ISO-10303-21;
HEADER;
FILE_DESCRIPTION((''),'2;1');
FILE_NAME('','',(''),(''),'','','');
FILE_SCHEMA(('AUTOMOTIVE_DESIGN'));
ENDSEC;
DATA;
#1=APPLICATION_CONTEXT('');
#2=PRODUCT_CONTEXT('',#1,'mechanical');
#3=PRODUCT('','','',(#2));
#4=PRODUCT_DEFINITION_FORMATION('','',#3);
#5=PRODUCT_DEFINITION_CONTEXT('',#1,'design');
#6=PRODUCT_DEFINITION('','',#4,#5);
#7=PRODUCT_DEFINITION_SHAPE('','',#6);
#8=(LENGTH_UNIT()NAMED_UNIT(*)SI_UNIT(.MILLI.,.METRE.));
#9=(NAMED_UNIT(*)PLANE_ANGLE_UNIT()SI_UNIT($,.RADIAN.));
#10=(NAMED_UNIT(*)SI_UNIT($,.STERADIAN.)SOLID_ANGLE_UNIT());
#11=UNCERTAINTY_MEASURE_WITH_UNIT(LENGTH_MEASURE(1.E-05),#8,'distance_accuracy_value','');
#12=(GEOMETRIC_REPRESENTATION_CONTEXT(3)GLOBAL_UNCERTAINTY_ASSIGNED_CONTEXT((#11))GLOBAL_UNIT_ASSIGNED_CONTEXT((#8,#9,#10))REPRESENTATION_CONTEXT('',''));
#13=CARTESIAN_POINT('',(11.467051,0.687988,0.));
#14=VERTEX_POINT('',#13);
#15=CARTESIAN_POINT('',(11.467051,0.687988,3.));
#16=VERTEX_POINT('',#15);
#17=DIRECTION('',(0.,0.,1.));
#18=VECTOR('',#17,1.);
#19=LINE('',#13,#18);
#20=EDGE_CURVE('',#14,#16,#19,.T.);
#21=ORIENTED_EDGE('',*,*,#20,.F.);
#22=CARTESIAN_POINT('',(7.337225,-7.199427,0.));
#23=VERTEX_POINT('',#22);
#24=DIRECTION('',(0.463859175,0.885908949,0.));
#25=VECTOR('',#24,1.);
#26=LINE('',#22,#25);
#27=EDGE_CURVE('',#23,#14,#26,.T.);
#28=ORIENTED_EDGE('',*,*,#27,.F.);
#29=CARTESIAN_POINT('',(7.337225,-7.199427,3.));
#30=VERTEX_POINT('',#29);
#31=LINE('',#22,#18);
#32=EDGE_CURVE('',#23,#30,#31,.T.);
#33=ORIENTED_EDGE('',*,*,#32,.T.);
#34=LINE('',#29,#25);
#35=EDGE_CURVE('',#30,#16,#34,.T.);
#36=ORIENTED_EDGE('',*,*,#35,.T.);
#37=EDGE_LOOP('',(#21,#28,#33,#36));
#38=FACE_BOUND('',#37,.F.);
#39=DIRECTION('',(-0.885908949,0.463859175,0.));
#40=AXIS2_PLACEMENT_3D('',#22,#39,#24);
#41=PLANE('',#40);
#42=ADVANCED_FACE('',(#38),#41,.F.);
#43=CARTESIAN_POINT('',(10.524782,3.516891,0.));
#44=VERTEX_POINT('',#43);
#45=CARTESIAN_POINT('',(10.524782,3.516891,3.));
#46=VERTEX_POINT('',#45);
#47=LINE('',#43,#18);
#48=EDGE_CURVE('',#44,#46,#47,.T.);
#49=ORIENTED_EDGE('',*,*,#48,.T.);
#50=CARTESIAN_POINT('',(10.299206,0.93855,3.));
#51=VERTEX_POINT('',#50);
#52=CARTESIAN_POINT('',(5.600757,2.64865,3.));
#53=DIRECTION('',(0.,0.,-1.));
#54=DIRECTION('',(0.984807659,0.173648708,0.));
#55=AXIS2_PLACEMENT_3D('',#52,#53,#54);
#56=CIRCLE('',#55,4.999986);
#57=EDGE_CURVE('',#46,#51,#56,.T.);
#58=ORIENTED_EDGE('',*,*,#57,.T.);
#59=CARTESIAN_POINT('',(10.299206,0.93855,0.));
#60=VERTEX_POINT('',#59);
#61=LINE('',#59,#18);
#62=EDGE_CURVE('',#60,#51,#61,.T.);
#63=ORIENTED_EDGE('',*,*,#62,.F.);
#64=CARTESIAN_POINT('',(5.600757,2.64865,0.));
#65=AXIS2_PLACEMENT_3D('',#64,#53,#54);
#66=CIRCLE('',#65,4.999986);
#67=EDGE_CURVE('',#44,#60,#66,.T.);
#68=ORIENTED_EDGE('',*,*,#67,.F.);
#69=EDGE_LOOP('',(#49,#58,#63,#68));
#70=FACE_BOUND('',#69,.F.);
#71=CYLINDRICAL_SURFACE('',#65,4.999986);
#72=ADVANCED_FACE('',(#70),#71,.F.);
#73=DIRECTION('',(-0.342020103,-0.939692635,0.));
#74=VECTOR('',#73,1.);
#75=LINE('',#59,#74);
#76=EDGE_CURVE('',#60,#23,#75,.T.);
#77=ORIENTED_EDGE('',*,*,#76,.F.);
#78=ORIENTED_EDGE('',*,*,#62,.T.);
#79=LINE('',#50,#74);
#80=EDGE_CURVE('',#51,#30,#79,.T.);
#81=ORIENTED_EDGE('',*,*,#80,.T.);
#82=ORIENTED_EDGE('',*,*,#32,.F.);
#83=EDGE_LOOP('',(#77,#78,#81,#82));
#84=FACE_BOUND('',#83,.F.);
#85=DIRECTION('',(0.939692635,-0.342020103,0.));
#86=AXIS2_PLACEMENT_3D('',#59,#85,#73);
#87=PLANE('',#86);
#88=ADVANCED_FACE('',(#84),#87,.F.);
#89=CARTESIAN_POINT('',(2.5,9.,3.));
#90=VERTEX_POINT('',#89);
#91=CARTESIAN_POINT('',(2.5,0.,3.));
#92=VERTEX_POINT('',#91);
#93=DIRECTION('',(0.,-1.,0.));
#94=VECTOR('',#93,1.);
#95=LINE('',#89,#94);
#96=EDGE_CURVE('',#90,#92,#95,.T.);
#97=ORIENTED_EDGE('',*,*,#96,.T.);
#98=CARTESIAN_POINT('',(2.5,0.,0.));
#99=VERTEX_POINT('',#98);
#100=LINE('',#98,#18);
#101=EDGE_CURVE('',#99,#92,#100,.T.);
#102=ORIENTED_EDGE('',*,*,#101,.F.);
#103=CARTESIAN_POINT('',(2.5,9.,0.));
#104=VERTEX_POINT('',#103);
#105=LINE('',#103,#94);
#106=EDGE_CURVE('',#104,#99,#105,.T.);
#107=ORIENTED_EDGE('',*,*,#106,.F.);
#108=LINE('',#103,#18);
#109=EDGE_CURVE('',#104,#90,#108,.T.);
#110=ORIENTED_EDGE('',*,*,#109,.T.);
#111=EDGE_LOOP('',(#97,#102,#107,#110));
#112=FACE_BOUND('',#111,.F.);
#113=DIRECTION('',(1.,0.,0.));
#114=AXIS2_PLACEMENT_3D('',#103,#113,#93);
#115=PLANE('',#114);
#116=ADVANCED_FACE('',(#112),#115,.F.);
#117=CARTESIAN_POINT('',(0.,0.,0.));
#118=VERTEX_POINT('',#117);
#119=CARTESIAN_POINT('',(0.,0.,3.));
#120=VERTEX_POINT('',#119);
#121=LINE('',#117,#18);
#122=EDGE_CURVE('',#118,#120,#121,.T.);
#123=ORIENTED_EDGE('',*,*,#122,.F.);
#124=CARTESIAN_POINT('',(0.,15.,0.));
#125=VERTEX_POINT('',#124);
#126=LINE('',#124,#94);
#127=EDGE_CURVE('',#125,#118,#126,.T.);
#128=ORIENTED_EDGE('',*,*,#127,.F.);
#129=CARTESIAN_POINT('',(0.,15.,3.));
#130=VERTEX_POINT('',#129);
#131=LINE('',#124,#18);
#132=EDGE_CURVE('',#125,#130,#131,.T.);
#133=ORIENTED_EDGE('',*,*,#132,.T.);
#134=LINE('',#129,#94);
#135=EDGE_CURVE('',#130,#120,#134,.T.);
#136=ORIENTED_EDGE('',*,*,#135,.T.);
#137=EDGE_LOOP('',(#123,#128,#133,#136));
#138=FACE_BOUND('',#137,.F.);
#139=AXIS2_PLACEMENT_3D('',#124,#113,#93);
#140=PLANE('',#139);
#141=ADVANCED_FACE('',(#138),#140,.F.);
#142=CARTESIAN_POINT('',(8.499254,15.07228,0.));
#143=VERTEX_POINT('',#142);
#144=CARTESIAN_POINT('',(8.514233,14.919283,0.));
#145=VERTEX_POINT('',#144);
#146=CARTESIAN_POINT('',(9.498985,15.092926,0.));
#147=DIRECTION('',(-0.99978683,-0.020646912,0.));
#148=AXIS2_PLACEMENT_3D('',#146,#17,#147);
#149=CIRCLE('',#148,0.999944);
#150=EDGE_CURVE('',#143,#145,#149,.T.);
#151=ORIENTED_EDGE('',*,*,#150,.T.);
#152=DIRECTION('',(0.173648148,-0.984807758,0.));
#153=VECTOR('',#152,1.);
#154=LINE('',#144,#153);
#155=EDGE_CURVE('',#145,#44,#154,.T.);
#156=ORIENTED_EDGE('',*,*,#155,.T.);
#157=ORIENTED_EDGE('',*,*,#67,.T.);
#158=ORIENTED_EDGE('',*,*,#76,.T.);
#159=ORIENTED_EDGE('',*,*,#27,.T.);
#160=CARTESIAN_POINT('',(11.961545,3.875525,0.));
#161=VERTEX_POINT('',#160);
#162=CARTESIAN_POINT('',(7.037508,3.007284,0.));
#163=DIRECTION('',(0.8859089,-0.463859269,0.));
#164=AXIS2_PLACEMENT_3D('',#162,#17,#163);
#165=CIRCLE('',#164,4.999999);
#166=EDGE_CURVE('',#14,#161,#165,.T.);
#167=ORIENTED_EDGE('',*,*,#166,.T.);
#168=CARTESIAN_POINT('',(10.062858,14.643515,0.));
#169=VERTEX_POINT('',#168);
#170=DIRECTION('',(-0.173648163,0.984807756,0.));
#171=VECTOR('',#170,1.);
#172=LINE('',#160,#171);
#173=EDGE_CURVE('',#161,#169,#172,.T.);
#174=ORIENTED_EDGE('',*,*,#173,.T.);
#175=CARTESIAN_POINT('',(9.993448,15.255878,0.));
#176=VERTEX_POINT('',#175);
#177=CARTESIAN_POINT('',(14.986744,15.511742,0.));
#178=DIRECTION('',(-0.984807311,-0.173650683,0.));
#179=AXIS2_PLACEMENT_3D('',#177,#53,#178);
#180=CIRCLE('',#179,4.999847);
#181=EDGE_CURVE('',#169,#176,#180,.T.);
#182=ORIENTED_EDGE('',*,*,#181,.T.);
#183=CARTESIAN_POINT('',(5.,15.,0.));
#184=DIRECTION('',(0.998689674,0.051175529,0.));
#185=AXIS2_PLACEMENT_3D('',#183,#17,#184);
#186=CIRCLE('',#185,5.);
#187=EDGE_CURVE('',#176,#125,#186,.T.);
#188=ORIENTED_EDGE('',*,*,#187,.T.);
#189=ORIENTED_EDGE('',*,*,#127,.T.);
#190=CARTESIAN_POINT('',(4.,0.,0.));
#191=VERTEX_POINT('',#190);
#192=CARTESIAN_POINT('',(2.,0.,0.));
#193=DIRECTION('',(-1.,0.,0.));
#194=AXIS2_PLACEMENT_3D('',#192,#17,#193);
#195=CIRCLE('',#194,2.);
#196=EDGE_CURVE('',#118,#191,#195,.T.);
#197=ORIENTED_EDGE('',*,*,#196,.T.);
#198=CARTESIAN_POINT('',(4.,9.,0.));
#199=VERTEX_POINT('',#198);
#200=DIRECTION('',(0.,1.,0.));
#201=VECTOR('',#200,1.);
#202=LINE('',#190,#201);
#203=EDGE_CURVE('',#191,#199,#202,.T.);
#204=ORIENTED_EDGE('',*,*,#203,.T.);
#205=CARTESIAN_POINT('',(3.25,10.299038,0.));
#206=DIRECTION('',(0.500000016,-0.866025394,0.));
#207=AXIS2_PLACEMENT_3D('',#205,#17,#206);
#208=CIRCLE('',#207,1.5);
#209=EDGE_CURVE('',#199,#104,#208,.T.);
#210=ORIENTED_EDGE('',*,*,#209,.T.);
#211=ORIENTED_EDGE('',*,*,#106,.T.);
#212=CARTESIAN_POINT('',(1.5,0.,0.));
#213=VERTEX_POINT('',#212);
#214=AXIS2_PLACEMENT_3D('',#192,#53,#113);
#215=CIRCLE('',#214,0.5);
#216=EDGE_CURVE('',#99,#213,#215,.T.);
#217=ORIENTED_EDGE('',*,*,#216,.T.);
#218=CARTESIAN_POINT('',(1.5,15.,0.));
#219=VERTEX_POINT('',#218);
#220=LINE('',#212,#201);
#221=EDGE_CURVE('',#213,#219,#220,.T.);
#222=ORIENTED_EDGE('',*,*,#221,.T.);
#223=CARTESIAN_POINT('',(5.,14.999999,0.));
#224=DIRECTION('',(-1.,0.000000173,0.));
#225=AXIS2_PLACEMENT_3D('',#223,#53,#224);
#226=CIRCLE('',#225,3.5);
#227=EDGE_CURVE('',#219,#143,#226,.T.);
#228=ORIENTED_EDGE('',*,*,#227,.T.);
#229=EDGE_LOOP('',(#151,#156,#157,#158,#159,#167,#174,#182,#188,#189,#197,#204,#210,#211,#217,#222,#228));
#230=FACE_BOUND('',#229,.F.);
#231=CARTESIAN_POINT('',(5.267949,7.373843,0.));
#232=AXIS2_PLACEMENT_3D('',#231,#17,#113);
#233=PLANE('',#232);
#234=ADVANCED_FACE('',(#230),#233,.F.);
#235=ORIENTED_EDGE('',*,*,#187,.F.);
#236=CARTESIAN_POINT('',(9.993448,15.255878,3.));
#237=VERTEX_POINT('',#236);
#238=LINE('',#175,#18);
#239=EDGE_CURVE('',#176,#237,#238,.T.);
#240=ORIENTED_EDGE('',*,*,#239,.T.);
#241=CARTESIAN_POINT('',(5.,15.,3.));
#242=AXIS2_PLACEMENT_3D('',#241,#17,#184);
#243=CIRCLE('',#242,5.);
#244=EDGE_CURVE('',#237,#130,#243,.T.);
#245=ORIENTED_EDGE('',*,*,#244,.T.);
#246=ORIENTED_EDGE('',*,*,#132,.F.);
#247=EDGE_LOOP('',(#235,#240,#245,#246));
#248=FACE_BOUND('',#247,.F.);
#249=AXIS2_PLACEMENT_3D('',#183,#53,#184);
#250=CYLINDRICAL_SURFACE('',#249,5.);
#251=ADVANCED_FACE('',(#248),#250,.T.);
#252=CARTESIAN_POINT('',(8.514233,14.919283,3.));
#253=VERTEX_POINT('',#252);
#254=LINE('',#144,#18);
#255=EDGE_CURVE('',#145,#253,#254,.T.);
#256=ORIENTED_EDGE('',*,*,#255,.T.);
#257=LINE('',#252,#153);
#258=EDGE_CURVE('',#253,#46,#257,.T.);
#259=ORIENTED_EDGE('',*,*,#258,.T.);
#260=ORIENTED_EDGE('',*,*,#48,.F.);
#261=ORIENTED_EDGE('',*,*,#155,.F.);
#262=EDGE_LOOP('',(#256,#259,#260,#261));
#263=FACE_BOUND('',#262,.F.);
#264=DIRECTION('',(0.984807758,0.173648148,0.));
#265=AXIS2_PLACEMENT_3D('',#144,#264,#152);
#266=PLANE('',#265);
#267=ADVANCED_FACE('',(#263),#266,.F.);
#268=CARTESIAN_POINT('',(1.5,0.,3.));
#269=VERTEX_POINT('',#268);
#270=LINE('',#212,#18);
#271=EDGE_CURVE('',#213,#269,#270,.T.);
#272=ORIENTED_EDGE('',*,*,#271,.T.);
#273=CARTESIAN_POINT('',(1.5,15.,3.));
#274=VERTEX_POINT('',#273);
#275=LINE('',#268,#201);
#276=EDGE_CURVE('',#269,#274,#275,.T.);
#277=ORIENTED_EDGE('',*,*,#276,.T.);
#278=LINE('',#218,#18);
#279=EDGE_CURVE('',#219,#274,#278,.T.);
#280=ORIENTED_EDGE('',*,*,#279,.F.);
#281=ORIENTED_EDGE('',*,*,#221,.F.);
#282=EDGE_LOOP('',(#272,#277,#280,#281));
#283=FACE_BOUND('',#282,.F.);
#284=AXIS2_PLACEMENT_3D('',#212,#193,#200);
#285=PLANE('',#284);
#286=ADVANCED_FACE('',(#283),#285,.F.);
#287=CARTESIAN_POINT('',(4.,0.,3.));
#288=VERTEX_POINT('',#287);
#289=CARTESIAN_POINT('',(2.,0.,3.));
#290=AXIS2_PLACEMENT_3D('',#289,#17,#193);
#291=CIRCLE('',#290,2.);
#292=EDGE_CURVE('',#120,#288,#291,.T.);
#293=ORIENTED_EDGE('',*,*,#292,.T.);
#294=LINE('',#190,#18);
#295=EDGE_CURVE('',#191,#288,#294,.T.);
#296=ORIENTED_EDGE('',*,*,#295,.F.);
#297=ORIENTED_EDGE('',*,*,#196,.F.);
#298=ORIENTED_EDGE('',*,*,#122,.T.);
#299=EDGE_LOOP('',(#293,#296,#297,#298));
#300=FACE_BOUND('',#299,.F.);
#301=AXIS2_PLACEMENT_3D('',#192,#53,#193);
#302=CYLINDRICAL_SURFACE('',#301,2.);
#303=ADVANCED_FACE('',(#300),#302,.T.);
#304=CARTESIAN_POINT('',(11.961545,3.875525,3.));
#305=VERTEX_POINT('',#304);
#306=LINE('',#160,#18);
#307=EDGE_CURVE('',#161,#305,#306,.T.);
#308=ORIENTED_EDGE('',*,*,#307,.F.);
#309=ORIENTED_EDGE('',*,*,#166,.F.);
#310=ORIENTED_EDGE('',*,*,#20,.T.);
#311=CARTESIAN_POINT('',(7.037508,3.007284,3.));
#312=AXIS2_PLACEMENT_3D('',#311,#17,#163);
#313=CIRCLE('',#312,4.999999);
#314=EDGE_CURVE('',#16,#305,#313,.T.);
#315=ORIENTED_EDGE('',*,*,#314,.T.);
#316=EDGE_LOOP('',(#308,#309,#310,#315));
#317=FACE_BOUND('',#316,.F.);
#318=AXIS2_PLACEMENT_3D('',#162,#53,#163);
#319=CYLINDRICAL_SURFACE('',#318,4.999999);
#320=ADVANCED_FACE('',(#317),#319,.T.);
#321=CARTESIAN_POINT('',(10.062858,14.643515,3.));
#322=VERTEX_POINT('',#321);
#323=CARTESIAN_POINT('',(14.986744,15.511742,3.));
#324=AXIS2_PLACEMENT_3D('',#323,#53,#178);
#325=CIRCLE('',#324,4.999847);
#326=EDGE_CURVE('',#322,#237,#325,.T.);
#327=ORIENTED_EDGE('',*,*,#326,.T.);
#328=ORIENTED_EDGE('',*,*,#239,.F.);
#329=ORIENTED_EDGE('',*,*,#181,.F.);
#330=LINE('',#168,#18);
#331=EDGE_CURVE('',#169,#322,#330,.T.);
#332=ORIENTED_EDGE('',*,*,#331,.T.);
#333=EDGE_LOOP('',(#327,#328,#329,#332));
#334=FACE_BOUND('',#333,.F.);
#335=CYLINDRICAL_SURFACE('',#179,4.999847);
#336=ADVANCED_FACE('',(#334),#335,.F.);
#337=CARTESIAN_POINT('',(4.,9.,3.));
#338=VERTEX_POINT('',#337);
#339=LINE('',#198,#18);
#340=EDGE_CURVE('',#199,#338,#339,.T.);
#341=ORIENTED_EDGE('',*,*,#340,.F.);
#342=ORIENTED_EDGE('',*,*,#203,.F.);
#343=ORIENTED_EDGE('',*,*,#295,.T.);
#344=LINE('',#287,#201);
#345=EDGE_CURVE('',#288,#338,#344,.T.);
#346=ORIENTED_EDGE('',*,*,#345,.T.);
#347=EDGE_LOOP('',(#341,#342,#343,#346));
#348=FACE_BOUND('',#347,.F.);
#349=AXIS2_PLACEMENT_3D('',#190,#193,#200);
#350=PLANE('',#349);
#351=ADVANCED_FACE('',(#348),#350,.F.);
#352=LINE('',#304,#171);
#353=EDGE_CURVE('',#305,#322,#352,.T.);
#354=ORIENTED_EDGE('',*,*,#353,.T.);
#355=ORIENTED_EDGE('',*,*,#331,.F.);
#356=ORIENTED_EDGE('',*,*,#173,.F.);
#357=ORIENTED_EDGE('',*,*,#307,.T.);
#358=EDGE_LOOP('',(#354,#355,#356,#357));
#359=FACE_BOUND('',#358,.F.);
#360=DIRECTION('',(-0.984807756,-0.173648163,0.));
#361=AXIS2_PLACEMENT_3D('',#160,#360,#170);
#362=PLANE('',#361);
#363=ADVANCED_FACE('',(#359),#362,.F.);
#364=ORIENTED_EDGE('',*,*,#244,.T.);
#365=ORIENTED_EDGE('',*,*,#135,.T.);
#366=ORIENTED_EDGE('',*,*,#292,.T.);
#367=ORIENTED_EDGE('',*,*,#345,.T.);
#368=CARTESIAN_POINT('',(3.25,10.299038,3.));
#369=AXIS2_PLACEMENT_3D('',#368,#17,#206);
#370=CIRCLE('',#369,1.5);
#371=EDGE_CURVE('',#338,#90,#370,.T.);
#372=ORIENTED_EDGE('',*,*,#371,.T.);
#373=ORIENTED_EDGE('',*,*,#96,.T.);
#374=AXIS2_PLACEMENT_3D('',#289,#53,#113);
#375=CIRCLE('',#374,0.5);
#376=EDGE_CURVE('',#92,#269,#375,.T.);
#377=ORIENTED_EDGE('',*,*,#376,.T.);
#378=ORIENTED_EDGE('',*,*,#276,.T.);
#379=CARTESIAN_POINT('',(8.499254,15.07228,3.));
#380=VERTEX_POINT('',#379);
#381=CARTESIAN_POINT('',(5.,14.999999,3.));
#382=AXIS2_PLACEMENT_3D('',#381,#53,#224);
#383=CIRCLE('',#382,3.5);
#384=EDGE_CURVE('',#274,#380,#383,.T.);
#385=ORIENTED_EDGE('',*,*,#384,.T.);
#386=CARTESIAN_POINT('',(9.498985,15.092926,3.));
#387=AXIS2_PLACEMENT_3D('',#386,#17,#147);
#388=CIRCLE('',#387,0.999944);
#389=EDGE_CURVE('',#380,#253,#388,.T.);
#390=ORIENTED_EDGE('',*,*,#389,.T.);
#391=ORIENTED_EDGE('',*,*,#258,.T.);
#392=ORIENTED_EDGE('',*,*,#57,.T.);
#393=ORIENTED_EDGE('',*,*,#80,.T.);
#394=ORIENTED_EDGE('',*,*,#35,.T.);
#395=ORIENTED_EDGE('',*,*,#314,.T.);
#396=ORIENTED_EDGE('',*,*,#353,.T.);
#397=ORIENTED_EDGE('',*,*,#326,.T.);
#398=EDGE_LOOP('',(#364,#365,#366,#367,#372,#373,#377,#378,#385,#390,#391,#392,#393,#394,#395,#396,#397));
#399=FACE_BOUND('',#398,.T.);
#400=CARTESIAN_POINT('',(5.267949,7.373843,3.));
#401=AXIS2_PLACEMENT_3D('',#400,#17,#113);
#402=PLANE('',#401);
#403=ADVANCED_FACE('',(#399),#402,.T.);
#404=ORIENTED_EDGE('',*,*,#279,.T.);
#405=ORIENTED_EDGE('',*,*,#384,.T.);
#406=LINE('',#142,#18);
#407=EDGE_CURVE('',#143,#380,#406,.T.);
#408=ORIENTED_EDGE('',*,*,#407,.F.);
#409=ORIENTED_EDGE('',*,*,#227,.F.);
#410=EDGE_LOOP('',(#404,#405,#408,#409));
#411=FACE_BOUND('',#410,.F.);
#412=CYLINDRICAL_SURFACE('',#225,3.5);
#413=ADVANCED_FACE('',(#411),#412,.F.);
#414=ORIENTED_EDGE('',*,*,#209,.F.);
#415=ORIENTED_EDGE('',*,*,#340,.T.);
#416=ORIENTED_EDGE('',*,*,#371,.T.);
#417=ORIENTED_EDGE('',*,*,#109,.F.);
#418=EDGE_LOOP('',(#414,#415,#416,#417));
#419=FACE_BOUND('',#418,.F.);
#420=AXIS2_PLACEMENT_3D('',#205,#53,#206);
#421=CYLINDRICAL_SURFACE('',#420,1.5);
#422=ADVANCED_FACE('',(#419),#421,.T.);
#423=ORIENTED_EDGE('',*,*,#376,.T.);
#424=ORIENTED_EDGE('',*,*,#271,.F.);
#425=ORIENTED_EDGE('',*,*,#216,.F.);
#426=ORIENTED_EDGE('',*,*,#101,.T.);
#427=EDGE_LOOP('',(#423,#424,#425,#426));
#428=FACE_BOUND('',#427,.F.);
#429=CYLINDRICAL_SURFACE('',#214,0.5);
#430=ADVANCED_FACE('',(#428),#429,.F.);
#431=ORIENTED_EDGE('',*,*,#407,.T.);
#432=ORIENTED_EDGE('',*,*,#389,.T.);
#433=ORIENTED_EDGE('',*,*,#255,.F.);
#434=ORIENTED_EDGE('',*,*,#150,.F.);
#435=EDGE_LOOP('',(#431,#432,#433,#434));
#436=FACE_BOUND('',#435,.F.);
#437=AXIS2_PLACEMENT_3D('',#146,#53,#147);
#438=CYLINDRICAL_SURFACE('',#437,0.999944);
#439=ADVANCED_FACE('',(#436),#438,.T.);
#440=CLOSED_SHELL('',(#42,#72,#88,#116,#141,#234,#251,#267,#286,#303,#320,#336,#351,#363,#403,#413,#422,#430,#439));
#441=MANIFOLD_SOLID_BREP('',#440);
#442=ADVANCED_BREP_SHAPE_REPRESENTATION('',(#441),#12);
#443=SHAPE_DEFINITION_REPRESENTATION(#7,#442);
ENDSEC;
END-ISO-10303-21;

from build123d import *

# Parameters (mm, degrees)
F1_DEPTH = 3


with BuildPart() as f1:
    # F0 (on Top) → F1 (new body)
    with BuildSketch(Plane.XY):
        with BuildLine():
            Line((0, 15), (0, 0))
            ThreePointArc((0, 0), (2, -2), (4, 0))
            Line((4, 0), (4, 9))
            ThreePointArc((4, 9), (3.25, 11.799038), (2.5, 9))
            Line((2.5, 9), (2.5, 0))
            ThreePointArc((2.5, 0), (2, -0.5), (1.5, 0))
            Line((1.5, 0), (1.5, 15))
            ThreePointArc((1.5, 15), (4.963858, 18.499813), (8.499254, 15.07228))
            ThreePointArc((8.499254, 15.07228), (8.503799, 14.995493), (8.514233, 14.919283))
            Line((8.514233, 14.919283), (10.524782, 3.516891))
            ThreePointArc((10.524782, 3.516891), (10.581717, 2.212872), (10.299206, 0.93855))
            Line((10.299206, 0.93855), (7.337225, -7.199427))
            Line((7.337225, -7.199427), (11.467051, 0.687988))
            ThreePointArc((11.467051, 0.687988), (11.978405, 2.240785), (11.961545, 3.875525))
            Line((11.961545, 3.875525), (10.062858, 14.643515))
            ThreePointArc((10.062858, 14.643515), (10.018709, 14.948626), (9.993448, 15.255878))
            ThreePointArc((9.993448, 15.255878), (4.872019, 19.998362), (0, 15))
        make_face()
    extrude(amount=F1_DEPTH)


solid = f1.part
